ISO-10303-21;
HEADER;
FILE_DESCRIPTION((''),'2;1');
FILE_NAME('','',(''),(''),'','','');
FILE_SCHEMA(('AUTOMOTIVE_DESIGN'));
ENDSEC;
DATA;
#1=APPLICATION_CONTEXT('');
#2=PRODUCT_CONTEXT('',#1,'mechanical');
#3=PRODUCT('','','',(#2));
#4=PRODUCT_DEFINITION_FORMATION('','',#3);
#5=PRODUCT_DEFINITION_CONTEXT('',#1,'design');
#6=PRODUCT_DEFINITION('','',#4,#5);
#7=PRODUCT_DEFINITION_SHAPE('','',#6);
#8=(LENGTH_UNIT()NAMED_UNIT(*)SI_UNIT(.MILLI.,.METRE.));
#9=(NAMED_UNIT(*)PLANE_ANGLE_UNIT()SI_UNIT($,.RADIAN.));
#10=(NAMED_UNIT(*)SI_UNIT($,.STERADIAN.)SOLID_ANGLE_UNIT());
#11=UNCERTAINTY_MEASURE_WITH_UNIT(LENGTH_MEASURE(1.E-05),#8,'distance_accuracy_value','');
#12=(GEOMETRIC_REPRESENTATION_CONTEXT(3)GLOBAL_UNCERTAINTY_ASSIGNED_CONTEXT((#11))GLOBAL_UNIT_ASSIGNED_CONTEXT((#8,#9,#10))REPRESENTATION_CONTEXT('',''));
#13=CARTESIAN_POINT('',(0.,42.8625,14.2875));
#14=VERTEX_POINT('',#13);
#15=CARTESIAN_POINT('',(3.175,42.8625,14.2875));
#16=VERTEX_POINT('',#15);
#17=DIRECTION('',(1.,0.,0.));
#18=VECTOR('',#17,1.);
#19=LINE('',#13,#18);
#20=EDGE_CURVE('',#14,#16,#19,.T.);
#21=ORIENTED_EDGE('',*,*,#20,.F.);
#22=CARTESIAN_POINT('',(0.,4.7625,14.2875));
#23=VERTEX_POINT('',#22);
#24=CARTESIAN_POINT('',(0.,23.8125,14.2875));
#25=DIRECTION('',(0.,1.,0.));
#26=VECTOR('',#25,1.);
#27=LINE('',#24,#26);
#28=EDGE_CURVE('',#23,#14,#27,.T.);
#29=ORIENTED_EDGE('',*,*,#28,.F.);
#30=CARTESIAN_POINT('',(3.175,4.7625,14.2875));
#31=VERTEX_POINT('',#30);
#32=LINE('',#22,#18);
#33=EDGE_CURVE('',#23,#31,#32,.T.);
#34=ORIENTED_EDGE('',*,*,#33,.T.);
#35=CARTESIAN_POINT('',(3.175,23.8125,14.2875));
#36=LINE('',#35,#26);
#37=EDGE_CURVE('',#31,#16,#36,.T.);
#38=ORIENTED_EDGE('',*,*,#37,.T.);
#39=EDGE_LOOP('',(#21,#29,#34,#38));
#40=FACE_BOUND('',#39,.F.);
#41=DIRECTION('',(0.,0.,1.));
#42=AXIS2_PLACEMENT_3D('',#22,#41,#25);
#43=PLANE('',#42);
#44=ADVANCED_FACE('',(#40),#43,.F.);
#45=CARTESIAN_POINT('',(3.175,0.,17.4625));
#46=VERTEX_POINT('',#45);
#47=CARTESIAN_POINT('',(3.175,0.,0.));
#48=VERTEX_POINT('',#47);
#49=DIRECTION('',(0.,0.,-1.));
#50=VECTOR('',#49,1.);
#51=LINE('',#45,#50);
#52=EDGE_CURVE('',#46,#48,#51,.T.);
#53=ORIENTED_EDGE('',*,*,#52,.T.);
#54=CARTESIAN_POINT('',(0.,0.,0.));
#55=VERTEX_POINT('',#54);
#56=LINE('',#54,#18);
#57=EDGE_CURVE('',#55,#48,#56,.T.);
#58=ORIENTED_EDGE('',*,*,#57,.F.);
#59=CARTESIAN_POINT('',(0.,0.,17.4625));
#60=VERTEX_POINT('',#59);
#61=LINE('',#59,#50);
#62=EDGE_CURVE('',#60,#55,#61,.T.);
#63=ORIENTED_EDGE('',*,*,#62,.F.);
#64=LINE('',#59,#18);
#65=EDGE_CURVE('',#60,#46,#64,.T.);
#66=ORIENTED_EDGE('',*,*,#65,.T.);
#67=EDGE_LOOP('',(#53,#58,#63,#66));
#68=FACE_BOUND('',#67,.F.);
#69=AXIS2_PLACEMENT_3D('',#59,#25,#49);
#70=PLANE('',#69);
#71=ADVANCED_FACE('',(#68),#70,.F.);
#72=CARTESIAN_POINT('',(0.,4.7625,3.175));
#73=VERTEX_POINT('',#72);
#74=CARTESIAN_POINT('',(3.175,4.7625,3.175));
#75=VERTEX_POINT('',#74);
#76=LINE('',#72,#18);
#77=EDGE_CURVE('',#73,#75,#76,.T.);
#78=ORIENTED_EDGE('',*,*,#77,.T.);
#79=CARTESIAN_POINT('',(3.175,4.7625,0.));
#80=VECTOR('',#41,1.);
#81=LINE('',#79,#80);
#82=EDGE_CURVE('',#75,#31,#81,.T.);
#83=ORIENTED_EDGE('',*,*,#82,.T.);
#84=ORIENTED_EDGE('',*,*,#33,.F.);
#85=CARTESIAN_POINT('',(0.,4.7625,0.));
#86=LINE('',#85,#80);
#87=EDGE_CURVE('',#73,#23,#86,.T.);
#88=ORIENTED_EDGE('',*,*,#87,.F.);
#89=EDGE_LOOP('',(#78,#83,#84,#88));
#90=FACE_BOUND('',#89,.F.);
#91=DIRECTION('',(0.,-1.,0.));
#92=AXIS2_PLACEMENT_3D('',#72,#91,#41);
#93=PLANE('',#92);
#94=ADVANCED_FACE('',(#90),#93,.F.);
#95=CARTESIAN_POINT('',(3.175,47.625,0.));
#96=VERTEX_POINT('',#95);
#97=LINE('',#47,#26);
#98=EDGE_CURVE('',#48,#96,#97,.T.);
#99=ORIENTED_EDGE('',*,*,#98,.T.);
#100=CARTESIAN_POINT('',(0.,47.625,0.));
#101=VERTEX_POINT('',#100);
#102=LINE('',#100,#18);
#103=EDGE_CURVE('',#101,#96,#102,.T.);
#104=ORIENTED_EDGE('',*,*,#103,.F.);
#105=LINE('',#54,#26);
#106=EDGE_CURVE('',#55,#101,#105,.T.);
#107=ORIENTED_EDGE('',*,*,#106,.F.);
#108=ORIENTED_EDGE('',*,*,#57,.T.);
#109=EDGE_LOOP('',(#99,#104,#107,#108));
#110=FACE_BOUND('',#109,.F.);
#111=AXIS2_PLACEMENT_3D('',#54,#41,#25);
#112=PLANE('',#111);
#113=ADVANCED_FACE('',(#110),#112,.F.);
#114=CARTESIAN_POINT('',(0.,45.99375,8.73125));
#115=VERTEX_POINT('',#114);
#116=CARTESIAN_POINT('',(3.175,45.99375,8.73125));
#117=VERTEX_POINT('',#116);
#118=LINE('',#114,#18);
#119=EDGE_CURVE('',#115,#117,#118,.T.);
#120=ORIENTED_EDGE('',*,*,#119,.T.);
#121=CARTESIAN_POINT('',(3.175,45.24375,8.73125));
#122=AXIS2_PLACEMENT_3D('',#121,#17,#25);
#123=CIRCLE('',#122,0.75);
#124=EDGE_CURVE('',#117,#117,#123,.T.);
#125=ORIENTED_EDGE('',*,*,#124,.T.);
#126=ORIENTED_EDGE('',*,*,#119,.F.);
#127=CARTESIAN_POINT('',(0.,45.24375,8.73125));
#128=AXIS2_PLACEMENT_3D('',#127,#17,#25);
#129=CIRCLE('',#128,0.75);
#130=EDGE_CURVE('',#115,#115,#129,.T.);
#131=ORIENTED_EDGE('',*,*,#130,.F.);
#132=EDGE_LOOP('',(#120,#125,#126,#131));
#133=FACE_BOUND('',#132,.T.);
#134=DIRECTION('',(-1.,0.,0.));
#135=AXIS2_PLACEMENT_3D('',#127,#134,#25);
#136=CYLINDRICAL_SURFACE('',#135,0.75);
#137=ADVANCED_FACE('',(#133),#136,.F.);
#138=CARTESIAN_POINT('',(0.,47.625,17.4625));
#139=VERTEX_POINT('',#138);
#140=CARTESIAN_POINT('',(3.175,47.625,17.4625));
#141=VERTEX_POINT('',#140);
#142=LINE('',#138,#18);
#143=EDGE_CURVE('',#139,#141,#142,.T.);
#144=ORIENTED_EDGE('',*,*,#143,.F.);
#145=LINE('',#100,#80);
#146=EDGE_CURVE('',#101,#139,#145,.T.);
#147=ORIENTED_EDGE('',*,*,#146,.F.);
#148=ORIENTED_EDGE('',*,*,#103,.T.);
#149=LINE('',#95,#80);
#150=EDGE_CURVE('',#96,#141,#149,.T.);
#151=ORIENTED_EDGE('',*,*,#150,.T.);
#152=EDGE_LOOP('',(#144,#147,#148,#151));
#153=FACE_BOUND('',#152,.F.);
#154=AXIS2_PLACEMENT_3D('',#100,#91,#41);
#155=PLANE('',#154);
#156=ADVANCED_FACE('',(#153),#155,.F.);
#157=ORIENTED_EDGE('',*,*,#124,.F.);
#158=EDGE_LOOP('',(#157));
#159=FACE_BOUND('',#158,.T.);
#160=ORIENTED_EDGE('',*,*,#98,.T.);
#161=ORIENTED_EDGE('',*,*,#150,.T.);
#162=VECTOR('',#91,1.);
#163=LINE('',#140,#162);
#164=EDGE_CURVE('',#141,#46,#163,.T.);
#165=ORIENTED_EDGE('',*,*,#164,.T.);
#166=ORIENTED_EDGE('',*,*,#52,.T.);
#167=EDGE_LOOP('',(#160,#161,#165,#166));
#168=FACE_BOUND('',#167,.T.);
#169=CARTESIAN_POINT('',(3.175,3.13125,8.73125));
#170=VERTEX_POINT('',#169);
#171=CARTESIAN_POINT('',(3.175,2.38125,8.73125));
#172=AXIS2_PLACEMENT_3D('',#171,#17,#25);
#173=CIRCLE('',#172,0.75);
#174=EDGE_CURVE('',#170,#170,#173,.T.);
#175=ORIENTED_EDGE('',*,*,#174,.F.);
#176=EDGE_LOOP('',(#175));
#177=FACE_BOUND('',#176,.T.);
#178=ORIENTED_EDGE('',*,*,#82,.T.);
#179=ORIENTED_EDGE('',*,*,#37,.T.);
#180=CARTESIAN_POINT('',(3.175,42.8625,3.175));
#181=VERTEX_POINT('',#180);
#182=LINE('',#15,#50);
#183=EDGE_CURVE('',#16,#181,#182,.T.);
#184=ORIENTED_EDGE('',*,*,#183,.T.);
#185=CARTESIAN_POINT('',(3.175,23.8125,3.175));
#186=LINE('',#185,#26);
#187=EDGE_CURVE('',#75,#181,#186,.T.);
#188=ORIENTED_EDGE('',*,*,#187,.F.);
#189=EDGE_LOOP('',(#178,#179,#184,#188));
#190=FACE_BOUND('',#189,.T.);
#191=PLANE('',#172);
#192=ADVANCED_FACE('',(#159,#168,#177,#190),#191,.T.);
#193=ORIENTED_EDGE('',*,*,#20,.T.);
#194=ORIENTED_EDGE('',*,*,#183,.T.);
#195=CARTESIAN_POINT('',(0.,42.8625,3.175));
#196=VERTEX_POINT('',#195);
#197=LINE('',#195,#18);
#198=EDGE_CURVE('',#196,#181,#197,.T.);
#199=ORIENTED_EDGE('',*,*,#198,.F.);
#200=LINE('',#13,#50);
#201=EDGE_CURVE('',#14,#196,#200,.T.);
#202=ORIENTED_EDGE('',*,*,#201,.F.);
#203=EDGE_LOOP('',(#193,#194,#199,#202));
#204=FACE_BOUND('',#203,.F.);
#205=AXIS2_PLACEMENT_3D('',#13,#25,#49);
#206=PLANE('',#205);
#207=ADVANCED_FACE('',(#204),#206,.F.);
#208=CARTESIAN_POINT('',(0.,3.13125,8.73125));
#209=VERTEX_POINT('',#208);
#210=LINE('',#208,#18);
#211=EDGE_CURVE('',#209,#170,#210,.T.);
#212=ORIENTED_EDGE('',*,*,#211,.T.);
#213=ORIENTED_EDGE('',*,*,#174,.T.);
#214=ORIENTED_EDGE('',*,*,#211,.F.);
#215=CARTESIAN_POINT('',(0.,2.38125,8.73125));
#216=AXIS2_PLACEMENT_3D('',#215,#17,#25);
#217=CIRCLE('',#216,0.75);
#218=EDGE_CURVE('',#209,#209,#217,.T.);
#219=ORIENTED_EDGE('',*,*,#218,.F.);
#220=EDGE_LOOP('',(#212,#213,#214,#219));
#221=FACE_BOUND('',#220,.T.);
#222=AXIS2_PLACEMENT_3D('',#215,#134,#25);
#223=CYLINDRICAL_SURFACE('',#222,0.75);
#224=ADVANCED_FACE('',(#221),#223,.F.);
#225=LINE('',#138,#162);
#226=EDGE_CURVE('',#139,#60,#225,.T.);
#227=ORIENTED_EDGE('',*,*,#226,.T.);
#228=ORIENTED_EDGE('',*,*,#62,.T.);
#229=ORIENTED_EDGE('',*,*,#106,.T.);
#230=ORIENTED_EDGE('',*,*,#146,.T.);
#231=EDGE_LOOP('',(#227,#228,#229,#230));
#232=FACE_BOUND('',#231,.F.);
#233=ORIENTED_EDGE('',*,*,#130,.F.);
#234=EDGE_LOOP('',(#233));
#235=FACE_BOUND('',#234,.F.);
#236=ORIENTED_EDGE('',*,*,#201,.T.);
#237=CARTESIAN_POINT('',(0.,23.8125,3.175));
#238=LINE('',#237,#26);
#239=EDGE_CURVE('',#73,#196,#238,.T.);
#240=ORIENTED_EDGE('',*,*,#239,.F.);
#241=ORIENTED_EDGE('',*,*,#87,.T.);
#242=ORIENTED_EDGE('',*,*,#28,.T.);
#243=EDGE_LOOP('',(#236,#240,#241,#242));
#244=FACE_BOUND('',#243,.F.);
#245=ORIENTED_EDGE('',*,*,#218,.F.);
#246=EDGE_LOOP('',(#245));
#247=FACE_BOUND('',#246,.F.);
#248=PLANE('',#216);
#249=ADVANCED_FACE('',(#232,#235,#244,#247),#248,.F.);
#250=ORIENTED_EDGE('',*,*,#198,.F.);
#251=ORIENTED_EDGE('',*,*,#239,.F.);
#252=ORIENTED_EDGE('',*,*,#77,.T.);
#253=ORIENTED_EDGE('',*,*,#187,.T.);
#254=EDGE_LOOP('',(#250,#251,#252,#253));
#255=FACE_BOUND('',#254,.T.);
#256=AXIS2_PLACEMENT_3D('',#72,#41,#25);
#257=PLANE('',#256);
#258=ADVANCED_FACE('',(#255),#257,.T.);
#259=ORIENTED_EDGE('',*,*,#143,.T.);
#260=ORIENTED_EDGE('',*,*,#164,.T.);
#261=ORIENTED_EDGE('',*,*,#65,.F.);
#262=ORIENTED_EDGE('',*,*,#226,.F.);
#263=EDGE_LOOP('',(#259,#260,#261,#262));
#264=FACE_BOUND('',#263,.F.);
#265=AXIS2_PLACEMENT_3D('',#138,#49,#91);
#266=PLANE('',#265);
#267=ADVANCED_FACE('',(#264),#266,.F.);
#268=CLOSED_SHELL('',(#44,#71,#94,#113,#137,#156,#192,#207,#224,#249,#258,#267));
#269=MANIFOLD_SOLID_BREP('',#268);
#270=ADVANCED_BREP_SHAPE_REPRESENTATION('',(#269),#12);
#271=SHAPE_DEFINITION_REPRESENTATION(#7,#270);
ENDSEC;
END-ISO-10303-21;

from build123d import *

# Parameters (mm, degrees)
F0_R     = 0.75
F0_W     = 38.1
F0_H     = 3.175
F1_DEPTH = 3.175


with BuildPart() as f1:
    # F0 (on Right) → F1 (new body)
    with BuildSketch(Plane.YZ):
        Polygon((0, 8.73125), (0, 0), (4.7625, 0), (4.7625, 3.175), (4.7625, 14.2875), (4.7625, 17.4625), (2.38125, 17.4625), (0, 17.4625), align=None)
        with Locations((2.38125, 8.73125)):
            Circle(F0_R, mode=Mode.SUBTRACT)
        with Locations((23.8125, 1.5875)):
            Rectangle(F0_W, F0_H)
        with Locations((23.8125, 15.875)):
            Rectangle(F0_W, F0_H)
        Polygon((42.8625, 3.175), (42.8625, 0), (47.625, 0), (47.625, 17.4625), (42.8625, 17.4625), (42.8625, 14.2875), align=None)
        with Locations((45.24375, 8.73125)):
            Circle(F0_R, mode=Mode.SUBTRACT)
    extrude(amount=F1_DEPTH)


solid = f1.part
